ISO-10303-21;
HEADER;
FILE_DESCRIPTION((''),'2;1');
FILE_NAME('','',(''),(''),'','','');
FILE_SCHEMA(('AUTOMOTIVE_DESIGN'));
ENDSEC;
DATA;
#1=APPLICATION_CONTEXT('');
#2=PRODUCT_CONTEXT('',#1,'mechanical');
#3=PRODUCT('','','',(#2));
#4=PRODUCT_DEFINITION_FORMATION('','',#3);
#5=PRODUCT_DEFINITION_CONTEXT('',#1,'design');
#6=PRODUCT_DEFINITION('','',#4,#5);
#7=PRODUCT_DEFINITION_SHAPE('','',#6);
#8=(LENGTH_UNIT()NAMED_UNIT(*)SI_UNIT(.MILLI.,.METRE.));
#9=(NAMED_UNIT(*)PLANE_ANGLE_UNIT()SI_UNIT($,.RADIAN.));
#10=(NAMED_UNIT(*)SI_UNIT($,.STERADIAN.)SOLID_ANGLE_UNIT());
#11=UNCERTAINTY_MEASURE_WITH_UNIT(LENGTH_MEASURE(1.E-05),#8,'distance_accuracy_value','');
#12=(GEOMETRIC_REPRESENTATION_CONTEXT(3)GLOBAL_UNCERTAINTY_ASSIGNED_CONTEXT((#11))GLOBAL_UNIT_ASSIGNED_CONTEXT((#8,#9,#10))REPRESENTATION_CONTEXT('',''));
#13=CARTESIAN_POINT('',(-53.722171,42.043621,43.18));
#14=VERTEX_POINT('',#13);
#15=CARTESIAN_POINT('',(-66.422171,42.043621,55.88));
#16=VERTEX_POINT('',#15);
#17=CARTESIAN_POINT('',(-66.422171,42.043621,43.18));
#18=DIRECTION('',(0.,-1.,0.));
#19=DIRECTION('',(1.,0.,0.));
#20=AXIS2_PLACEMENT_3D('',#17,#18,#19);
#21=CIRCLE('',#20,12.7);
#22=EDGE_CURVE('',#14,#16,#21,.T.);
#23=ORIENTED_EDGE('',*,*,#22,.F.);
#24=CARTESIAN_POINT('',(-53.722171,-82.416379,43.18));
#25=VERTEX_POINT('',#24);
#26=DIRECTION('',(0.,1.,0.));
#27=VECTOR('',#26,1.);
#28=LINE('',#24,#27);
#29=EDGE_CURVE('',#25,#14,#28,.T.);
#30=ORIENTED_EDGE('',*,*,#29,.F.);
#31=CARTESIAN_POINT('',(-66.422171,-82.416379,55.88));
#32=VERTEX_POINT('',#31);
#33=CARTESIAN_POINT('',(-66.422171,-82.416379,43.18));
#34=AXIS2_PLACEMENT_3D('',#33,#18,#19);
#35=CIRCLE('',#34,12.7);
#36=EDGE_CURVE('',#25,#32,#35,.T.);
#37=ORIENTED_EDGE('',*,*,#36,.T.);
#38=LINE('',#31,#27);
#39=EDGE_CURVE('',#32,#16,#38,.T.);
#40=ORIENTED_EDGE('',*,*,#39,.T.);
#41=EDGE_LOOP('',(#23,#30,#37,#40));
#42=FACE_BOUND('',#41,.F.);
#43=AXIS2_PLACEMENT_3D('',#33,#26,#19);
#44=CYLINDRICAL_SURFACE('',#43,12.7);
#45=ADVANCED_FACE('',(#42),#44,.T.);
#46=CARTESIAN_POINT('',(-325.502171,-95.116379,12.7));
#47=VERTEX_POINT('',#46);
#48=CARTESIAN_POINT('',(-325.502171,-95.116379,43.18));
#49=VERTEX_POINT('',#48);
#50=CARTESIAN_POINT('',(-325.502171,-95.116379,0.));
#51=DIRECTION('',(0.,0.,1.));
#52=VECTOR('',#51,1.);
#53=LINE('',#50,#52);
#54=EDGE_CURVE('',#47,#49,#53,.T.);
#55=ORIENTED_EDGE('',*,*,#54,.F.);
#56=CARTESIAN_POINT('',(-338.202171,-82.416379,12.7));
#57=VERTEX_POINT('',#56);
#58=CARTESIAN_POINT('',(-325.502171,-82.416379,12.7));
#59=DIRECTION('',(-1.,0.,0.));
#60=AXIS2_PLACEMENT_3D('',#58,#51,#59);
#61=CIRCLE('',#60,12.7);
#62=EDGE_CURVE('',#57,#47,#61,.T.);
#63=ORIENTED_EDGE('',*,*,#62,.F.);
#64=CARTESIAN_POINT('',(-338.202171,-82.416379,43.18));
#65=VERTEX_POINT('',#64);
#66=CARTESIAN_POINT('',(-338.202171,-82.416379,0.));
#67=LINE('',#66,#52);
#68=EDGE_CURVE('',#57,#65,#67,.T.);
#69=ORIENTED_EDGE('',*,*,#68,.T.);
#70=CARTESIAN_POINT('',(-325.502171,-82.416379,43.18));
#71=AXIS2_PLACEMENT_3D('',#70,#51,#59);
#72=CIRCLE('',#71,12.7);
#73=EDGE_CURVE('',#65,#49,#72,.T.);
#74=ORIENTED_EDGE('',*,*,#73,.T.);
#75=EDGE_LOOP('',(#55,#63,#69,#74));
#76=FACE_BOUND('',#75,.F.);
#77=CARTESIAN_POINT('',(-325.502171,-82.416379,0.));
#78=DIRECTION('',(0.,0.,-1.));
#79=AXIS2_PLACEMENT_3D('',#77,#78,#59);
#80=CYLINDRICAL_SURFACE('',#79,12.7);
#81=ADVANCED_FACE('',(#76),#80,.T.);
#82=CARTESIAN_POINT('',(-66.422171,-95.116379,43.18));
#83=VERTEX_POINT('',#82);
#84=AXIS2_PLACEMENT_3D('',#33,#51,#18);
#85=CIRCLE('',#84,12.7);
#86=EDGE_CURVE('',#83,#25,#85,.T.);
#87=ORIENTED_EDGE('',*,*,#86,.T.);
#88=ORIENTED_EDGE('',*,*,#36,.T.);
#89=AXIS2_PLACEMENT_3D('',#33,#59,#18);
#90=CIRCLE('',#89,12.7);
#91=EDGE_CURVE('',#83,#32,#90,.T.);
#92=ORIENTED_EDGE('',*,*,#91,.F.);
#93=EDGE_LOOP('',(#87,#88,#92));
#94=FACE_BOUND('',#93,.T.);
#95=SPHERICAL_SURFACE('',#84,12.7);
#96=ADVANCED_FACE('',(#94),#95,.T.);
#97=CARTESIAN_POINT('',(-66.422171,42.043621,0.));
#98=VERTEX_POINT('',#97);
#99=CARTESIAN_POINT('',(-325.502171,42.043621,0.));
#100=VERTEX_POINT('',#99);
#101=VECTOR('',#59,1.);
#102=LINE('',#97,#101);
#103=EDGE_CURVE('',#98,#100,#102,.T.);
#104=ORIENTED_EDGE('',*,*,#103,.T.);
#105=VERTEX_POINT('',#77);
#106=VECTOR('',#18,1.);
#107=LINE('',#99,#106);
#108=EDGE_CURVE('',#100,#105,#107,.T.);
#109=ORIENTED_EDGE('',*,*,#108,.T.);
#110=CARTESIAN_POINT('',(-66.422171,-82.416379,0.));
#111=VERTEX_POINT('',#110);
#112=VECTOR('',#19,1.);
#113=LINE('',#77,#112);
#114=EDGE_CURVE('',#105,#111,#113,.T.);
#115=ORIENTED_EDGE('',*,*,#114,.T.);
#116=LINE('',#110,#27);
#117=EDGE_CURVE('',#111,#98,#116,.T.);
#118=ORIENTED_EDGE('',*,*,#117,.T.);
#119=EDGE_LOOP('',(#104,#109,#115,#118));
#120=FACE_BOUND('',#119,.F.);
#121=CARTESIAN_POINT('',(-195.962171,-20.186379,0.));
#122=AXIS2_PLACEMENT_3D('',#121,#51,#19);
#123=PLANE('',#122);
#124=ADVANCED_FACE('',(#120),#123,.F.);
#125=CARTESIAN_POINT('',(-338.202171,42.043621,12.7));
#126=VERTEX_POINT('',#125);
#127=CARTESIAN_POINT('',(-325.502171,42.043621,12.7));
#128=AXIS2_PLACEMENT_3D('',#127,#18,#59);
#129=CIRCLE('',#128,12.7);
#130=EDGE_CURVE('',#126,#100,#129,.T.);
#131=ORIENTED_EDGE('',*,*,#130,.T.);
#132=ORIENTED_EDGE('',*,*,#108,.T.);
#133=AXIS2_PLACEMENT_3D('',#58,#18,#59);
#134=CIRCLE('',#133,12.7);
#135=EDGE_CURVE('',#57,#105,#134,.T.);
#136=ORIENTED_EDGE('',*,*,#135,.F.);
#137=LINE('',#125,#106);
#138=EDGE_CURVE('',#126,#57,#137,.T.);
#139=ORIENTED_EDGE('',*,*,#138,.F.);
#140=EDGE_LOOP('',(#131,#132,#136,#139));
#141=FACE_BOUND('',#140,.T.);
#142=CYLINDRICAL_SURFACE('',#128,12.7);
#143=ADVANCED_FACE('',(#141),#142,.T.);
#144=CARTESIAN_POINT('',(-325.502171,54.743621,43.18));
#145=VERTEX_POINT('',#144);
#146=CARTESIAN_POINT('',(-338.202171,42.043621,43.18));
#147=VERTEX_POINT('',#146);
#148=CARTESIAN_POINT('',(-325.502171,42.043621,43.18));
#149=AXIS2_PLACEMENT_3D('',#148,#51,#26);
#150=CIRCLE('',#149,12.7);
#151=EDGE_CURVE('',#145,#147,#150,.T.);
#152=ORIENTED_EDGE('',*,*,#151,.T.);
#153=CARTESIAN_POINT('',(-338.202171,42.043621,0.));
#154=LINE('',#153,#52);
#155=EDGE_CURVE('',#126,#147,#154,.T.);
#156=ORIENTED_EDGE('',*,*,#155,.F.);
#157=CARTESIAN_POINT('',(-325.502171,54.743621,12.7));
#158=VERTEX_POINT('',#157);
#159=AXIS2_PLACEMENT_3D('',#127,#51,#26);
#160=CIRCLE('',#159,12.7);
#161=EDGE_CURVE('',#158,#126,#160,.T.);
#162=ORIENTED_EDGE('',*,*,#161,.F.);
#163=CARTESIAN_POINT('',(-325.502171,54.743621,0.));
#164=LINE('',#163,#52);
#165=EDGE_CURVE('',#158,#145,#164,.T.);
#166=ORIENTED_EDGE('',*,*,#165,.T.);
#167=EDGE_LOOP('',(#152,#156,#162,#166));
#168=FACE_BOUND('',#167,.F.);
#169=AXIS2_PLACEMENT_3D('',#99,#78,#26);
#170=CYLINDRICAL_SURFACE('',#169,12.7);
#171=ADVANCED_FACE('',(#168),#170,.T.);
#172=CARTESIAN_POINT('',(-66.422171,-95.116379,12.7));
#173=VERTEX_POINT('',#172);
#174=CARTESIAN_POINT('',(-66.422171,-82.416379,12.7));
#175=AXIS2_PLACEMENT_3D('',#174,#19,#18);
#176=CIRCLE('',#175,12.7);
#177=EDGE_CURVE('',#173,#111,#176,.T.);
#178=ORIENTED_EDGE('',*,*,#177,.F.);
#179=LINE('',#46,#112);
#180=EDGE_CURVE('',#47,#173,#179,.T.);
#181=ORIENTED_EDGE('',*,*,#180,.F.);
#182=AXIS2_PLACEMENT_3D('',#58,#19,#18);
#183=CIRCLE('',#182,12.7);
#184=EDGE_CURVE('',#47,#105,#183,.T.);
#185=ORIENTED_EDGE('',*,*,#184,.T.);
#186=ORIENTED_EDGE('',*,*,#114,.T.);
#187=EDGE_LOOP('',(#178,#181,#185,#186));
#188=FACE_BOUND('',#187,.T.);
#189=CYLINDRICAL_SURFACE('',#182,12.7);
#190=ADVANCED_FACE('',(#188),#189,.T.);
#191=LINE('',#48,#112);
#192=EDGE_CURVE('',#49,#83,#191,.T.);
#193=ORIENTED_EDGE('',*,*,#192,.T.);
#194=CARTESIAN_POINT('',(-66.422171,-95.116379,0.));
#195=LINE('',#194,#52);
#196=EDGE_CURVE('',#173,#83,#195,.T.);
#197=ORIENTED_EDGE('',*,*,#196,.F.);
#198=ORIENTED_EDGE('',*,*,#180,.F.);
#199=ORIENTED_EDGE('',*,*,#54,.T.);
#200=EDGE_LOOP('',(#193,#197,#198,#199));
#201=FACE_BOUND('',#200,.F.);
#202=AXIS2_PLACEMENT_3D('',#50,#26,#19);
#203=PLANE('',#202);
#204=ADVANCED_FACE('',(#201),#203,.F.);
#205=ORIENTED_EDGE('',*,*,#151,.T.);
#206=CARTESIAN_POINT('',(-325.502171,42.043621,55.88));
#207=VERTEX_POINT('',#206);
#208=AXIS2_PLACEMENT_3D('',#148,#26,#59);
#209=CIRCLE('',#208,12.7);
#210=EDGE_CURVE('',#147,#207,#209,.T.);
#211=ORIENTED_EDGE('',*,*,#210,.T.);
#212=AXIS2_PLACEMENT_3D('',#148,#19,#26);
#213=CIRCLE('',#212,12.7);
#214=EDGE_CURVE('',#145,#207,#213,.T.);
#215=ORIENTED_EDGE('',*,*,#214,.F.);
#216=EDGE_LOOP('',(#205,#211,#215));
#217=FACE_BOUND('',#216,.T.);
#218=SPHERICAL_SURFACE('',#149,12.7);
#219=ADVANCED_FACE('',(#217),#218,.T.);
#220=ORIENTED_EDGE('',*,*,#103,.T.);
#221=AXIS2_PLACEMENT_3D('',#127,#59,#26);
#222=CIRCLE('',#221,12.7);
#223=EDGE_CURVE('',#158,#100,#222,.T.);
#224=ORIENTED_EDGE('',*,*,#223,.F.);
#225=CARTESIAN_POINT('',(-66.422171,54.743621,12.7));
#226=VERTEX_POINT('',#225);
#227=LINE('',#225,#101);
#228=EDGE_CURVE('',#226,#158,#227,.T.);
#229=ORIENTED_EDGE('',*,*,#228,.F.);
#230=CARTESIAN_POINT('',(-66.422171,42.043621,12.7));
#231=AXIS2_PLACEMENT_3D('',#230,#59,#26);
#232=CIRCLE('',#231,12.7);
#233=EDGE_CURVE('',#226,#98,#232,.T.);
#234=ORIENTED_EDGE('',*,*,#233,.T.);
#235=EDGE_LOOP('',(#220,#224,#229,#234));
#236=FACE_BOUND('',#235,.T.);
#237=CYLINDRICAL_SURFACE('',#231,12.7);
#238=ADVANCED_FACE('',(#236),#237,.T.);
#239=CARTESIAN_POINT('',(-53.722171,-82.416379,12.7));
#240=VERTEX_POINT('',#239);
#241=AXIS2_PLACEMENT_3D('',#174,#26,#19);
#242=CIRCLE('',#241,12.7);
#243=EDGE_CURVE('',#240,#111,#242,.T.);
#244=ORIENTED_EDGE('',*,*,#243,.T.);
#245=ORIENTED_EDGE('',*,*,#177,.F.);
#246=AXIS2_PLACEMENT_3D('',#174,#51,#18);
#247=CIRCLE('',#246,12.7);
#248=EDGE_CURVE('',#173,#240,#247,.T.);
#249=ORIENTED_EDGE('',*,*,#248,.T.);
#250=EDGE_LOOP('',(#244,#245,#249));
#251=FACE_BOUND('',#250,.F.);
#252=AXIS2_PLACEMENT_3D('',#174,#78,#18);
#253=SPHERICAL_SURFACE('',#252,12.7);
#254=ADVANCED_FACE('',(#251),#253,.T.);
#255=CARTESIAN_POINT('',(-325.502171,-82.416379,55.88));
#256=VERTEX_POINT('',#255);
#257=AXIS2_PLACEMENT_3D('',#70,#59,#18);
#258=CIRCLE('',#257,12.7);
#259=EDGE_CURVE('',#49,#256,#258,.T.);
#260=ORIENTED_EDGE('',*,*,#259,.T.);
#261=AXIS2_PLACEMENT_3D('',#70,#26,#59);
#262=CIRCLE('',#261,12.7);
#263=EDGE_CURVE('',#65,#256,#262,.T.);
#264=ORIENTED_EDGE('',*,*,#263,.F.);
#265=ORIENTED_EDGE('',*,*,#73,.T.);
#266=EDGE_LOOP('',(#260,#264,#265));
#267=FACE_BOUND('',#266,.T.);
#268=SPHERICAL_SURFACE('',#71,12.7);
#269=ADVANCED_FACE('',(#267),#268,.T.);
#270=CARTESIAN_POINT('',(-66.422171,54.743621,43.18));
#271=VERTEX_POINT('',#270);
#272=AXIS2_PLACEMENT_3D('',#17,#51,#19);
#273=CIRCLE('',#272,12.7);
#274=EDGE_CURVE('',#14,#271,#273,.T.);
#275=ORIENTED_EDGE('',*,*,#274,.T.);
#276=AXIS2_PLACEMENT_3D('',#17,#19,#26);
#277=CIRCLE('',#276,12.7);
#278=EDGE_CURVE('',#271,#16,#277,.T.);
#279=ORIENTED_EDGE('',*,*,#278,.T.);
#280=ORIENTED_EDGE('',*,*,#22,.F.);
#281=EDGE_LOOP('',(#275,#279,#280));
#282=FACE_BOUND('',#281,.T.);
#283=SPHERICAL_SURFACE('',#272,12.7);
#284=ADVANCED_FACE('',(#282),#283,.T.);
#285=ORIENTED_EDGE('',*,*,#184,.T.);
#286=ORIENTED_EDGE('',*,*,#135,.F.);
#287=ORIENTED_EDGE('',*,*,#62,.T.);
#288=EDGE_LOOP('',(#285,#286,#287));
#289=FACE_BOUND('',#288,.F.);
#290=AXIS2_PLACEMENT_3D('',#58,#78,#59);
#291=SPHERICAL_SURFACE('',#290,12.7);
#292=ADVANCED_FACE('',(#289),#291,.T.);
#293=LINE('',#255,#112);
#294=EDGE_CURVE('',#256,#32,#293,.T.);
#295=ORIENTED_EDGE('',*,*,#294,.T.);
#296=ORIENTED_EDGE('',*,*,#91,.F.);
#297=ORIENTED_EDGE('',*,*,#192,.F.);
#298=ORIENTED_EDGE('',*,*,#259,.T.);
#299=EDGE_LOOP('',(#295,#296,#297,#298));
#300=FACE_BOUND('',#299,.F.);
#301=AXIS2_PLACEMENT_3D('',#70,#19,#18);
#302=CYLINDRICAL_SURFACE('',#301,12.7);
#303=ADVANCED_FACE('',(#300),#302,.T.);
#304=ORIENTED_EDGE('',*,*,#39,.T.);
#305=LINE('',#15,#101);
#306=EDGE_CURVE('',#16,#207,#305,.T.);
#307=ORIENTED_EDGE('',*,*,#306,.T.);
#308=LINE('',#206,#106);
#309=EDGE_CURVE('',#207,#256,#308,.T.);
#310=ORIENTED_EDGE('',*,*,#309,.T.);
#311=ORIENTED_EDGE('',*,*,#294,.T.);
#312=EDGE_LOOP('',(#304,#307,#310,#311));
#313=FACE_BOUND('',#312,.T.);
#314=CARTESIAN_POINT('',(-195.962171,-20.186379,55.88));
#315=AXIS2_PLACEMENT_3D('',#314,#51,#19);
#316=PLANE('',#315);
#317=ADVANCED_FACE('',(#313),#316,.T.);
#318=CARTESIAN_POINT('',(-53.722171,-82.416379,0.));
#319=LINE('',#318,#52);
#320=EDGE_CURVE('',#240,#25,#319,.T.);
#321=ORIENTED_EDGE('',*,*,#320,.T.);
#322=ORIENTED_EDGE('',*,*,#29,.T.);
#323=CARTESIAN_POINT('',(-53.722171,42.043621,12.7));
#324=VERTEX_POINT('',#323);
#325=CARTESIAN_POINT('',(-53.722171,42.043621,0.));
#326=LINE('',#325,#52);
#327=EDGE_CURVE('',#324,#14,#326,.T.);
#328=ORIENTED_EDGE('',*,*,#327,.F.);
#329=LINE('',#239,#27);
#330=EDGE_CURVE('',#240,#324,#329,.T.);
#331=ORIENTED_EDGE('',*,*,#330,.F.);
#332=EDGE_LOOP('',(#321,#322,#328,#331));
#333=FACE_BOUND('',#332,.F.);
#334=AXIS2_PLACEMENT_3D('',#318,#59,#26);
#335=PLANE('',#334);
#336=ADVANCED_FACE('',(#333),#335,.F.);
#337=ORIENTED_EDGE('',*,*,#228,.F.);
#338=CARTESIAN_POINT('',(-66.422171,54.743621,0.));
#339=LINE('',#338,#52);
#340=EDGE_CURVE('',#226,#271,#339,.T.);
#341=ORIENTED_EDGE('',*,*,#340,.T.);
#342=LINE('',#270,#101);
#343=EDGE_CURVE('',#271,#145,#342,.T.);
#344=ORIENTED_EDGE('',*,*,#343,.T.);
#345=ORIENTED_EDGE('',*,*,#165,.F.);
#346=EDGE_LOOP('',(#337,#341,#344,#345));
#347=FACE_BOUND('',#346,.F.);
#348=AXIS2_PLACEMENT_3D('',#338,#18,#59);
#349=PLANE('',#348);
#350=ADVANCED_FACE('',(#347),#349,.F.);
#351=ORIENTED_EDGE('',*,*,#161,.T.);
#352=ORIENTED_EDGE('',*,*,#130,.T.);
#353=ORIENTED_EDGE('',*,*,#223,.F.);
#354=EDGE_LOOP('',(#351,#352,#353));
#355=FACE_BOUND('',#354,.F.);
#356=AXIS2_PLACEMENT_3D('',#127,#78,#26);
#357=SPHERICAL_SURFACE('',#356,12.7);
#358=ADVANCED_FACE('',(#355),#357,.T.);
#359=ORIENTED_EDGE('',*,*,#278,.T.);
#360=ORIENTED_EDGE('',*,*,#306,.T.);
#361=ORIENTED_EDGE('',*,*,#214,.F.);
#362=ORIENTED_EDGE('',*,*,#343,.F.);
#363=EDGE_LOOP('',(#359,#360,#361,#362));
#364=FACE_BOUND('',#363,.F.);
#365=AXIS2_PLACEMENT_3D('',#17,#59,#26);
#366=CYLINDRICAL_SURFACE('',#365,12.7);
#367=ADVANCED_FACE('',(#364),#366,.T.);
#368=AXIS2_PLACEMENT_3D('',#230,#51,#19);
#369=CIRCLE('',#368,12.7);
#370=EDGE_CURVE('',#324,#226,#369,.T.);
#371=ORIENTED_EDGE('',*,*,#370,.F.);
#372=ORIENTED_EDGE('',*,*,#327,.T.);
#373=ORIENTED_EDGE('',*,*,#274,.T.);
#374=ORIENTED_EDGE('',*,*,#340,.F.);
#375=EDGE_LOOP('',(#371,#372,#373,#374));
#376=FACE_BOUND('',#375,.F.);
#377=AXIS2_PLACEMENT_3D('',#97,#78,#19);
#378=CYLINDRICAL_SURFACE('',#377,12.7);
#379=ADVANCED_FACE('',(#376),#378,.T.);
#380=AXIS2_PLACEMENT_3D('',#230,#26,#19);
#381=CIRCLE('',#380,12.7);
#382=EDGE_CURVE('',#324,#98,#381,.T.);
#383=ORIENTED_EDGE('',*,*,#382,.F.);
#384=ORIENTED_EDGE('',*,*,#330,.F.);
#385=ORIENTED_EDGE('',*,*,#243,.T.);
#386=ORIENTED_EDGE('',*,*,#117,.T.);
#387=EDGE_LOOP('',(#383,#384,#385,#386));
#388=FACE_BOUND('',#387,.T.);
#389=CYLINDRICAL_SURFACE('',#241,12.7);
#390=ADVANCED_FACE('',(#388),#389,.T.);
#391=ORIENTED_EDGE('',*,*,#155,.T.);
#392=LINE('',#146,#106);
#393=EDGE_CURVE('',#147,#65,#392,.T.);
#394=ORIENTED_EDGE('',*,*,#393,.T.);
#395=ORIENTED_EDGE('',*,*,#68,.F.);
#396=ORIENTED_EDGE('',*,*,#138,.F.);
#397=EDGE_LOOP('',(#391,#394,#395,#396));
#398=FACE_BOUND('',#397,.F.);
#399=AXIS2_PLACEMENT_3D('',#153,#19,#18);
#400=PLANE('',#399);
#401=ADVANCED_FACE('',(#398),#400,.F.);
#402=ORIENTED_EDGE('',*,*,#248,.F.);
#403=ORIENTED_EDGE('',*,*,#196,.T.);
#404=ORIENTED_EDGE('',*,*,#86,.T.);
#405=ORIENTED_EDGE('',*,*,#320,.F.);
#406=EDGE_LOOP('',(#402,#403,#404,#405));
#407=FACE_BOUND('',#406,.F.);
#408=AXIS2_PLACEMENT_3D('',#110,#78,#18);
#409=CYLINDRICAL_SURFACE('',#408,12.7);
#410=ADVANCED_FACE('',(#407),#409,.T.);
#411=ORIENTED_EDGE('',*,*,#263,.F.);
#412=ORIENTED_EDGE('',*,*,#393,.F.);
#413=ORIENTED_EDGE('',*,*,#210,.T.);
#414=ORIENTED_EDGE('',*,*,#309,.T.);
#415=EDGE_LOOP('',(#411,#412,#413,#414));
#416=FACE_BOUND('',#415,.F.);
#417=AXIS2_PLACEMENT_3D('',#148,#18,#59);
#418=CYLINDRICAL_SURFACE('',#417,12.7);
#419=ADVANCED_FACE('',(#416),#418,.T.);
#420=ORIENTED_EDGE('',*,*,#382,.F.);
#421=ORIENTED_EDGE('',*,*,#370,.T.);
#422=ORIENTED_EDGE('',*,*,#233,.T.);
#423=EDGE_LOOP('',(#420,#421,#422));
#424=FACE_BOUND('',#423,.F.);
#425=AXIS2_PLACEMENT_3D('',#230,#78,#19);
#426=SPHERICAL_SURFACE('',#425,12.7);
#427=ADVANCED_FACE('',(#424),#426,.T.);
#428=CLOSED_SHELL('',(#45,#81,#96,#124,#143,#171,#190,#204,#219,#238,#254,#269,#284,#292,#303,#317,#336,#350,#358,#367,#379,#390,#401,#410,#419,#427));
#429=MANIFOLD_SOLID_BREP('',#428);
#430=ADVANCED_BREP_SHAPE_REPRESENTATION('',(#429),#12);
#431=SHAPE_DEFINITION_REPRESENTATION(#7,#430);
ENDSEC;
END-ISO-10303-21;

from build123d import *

# Parameters (mm, degrees)
F1_DEPTH = 55.88
F2_R     = 12.7


with BuildPart() as f1:
    # F0 (on Top) → F1 (new body)
    with BuildSketch(Plane.XY):
        with BuildLine():
            Line((-66.4221714592, 54.7436210916), (-325.5021714592, 54.7436210916))
            ThreePointArc((-325.5021714592, 54.7436210916), (-334.4824275803, 51.0238772127), (-338.2021714592, 42.0436210916))
            Line((-338.2021714592, 42.0436210916), (-338.2021714592, -82.4163789084))
            ThreePointArc((-338.2021714592, -82.4163789084), (-334.4824275803, -91.3966350295), (-325.5021714592, -95.1163789084))
            Line((-325.5021714592, -95.1163789084), (-66.4221714592, -95.1163789084))
            ThreePointArc((-66.4221714592, -95.1163789084), (-57.4419153381, -91.3966350295), (-53.7221714592, -82.4163789084))
            Line((-53.7221714592, -82.4163789084), (-53.7221714592, 42.0436210916))
            ThreePointArc((-53.7221714592, 42.0436210916), (-57.4419153381, 51.0238772127), (-66.4221714592, 54.7436210916))
        make_face()
    extrude(amount=F1_DEPTH)

    # F2
    f2_edges = [f1.edges().sort_by_distance(p)[0] for p in [
        (-195.962171, 54.743621, 55.88),
        (-334.482428, 51.023877, 55.88),
        (-338.202171, -20.186379, 55.88),
        (-334.482428, -91.396635, 55.88),
        (-195.962171, -95.116379, 55.88),
        (-57.441915, -91.396635, 55.88),
        (-53.722171, -20.186379, 55.88),
        (-57.441915, 51.023877, 55.88),
        (-325.502171, -95.116379, 27.94),
        (-66.422171, -95.116379, 27.94),
        (-195.962171, -95.116379, 0),
        (-53.722171, -82.416379, 27.94),
        (-57.441915, -91.396635, 0),
        (-53.722171, 42.043621, 27.94),
        (-53.722171, -20.186379, 0),
        (-66.422171, 54.743621, 27.94),
        (-57.441915, 51.023877, 0),
        (-195.962171, 54.743621, 0),
        (-334.482428, 51.023877, 0),
        (-338.202171, -20.186379, 0),
        (-334.482428, -91.396635, 0),
    ]]
    fillet(f2_edges, radius=F2_R)


solid = f1.part
